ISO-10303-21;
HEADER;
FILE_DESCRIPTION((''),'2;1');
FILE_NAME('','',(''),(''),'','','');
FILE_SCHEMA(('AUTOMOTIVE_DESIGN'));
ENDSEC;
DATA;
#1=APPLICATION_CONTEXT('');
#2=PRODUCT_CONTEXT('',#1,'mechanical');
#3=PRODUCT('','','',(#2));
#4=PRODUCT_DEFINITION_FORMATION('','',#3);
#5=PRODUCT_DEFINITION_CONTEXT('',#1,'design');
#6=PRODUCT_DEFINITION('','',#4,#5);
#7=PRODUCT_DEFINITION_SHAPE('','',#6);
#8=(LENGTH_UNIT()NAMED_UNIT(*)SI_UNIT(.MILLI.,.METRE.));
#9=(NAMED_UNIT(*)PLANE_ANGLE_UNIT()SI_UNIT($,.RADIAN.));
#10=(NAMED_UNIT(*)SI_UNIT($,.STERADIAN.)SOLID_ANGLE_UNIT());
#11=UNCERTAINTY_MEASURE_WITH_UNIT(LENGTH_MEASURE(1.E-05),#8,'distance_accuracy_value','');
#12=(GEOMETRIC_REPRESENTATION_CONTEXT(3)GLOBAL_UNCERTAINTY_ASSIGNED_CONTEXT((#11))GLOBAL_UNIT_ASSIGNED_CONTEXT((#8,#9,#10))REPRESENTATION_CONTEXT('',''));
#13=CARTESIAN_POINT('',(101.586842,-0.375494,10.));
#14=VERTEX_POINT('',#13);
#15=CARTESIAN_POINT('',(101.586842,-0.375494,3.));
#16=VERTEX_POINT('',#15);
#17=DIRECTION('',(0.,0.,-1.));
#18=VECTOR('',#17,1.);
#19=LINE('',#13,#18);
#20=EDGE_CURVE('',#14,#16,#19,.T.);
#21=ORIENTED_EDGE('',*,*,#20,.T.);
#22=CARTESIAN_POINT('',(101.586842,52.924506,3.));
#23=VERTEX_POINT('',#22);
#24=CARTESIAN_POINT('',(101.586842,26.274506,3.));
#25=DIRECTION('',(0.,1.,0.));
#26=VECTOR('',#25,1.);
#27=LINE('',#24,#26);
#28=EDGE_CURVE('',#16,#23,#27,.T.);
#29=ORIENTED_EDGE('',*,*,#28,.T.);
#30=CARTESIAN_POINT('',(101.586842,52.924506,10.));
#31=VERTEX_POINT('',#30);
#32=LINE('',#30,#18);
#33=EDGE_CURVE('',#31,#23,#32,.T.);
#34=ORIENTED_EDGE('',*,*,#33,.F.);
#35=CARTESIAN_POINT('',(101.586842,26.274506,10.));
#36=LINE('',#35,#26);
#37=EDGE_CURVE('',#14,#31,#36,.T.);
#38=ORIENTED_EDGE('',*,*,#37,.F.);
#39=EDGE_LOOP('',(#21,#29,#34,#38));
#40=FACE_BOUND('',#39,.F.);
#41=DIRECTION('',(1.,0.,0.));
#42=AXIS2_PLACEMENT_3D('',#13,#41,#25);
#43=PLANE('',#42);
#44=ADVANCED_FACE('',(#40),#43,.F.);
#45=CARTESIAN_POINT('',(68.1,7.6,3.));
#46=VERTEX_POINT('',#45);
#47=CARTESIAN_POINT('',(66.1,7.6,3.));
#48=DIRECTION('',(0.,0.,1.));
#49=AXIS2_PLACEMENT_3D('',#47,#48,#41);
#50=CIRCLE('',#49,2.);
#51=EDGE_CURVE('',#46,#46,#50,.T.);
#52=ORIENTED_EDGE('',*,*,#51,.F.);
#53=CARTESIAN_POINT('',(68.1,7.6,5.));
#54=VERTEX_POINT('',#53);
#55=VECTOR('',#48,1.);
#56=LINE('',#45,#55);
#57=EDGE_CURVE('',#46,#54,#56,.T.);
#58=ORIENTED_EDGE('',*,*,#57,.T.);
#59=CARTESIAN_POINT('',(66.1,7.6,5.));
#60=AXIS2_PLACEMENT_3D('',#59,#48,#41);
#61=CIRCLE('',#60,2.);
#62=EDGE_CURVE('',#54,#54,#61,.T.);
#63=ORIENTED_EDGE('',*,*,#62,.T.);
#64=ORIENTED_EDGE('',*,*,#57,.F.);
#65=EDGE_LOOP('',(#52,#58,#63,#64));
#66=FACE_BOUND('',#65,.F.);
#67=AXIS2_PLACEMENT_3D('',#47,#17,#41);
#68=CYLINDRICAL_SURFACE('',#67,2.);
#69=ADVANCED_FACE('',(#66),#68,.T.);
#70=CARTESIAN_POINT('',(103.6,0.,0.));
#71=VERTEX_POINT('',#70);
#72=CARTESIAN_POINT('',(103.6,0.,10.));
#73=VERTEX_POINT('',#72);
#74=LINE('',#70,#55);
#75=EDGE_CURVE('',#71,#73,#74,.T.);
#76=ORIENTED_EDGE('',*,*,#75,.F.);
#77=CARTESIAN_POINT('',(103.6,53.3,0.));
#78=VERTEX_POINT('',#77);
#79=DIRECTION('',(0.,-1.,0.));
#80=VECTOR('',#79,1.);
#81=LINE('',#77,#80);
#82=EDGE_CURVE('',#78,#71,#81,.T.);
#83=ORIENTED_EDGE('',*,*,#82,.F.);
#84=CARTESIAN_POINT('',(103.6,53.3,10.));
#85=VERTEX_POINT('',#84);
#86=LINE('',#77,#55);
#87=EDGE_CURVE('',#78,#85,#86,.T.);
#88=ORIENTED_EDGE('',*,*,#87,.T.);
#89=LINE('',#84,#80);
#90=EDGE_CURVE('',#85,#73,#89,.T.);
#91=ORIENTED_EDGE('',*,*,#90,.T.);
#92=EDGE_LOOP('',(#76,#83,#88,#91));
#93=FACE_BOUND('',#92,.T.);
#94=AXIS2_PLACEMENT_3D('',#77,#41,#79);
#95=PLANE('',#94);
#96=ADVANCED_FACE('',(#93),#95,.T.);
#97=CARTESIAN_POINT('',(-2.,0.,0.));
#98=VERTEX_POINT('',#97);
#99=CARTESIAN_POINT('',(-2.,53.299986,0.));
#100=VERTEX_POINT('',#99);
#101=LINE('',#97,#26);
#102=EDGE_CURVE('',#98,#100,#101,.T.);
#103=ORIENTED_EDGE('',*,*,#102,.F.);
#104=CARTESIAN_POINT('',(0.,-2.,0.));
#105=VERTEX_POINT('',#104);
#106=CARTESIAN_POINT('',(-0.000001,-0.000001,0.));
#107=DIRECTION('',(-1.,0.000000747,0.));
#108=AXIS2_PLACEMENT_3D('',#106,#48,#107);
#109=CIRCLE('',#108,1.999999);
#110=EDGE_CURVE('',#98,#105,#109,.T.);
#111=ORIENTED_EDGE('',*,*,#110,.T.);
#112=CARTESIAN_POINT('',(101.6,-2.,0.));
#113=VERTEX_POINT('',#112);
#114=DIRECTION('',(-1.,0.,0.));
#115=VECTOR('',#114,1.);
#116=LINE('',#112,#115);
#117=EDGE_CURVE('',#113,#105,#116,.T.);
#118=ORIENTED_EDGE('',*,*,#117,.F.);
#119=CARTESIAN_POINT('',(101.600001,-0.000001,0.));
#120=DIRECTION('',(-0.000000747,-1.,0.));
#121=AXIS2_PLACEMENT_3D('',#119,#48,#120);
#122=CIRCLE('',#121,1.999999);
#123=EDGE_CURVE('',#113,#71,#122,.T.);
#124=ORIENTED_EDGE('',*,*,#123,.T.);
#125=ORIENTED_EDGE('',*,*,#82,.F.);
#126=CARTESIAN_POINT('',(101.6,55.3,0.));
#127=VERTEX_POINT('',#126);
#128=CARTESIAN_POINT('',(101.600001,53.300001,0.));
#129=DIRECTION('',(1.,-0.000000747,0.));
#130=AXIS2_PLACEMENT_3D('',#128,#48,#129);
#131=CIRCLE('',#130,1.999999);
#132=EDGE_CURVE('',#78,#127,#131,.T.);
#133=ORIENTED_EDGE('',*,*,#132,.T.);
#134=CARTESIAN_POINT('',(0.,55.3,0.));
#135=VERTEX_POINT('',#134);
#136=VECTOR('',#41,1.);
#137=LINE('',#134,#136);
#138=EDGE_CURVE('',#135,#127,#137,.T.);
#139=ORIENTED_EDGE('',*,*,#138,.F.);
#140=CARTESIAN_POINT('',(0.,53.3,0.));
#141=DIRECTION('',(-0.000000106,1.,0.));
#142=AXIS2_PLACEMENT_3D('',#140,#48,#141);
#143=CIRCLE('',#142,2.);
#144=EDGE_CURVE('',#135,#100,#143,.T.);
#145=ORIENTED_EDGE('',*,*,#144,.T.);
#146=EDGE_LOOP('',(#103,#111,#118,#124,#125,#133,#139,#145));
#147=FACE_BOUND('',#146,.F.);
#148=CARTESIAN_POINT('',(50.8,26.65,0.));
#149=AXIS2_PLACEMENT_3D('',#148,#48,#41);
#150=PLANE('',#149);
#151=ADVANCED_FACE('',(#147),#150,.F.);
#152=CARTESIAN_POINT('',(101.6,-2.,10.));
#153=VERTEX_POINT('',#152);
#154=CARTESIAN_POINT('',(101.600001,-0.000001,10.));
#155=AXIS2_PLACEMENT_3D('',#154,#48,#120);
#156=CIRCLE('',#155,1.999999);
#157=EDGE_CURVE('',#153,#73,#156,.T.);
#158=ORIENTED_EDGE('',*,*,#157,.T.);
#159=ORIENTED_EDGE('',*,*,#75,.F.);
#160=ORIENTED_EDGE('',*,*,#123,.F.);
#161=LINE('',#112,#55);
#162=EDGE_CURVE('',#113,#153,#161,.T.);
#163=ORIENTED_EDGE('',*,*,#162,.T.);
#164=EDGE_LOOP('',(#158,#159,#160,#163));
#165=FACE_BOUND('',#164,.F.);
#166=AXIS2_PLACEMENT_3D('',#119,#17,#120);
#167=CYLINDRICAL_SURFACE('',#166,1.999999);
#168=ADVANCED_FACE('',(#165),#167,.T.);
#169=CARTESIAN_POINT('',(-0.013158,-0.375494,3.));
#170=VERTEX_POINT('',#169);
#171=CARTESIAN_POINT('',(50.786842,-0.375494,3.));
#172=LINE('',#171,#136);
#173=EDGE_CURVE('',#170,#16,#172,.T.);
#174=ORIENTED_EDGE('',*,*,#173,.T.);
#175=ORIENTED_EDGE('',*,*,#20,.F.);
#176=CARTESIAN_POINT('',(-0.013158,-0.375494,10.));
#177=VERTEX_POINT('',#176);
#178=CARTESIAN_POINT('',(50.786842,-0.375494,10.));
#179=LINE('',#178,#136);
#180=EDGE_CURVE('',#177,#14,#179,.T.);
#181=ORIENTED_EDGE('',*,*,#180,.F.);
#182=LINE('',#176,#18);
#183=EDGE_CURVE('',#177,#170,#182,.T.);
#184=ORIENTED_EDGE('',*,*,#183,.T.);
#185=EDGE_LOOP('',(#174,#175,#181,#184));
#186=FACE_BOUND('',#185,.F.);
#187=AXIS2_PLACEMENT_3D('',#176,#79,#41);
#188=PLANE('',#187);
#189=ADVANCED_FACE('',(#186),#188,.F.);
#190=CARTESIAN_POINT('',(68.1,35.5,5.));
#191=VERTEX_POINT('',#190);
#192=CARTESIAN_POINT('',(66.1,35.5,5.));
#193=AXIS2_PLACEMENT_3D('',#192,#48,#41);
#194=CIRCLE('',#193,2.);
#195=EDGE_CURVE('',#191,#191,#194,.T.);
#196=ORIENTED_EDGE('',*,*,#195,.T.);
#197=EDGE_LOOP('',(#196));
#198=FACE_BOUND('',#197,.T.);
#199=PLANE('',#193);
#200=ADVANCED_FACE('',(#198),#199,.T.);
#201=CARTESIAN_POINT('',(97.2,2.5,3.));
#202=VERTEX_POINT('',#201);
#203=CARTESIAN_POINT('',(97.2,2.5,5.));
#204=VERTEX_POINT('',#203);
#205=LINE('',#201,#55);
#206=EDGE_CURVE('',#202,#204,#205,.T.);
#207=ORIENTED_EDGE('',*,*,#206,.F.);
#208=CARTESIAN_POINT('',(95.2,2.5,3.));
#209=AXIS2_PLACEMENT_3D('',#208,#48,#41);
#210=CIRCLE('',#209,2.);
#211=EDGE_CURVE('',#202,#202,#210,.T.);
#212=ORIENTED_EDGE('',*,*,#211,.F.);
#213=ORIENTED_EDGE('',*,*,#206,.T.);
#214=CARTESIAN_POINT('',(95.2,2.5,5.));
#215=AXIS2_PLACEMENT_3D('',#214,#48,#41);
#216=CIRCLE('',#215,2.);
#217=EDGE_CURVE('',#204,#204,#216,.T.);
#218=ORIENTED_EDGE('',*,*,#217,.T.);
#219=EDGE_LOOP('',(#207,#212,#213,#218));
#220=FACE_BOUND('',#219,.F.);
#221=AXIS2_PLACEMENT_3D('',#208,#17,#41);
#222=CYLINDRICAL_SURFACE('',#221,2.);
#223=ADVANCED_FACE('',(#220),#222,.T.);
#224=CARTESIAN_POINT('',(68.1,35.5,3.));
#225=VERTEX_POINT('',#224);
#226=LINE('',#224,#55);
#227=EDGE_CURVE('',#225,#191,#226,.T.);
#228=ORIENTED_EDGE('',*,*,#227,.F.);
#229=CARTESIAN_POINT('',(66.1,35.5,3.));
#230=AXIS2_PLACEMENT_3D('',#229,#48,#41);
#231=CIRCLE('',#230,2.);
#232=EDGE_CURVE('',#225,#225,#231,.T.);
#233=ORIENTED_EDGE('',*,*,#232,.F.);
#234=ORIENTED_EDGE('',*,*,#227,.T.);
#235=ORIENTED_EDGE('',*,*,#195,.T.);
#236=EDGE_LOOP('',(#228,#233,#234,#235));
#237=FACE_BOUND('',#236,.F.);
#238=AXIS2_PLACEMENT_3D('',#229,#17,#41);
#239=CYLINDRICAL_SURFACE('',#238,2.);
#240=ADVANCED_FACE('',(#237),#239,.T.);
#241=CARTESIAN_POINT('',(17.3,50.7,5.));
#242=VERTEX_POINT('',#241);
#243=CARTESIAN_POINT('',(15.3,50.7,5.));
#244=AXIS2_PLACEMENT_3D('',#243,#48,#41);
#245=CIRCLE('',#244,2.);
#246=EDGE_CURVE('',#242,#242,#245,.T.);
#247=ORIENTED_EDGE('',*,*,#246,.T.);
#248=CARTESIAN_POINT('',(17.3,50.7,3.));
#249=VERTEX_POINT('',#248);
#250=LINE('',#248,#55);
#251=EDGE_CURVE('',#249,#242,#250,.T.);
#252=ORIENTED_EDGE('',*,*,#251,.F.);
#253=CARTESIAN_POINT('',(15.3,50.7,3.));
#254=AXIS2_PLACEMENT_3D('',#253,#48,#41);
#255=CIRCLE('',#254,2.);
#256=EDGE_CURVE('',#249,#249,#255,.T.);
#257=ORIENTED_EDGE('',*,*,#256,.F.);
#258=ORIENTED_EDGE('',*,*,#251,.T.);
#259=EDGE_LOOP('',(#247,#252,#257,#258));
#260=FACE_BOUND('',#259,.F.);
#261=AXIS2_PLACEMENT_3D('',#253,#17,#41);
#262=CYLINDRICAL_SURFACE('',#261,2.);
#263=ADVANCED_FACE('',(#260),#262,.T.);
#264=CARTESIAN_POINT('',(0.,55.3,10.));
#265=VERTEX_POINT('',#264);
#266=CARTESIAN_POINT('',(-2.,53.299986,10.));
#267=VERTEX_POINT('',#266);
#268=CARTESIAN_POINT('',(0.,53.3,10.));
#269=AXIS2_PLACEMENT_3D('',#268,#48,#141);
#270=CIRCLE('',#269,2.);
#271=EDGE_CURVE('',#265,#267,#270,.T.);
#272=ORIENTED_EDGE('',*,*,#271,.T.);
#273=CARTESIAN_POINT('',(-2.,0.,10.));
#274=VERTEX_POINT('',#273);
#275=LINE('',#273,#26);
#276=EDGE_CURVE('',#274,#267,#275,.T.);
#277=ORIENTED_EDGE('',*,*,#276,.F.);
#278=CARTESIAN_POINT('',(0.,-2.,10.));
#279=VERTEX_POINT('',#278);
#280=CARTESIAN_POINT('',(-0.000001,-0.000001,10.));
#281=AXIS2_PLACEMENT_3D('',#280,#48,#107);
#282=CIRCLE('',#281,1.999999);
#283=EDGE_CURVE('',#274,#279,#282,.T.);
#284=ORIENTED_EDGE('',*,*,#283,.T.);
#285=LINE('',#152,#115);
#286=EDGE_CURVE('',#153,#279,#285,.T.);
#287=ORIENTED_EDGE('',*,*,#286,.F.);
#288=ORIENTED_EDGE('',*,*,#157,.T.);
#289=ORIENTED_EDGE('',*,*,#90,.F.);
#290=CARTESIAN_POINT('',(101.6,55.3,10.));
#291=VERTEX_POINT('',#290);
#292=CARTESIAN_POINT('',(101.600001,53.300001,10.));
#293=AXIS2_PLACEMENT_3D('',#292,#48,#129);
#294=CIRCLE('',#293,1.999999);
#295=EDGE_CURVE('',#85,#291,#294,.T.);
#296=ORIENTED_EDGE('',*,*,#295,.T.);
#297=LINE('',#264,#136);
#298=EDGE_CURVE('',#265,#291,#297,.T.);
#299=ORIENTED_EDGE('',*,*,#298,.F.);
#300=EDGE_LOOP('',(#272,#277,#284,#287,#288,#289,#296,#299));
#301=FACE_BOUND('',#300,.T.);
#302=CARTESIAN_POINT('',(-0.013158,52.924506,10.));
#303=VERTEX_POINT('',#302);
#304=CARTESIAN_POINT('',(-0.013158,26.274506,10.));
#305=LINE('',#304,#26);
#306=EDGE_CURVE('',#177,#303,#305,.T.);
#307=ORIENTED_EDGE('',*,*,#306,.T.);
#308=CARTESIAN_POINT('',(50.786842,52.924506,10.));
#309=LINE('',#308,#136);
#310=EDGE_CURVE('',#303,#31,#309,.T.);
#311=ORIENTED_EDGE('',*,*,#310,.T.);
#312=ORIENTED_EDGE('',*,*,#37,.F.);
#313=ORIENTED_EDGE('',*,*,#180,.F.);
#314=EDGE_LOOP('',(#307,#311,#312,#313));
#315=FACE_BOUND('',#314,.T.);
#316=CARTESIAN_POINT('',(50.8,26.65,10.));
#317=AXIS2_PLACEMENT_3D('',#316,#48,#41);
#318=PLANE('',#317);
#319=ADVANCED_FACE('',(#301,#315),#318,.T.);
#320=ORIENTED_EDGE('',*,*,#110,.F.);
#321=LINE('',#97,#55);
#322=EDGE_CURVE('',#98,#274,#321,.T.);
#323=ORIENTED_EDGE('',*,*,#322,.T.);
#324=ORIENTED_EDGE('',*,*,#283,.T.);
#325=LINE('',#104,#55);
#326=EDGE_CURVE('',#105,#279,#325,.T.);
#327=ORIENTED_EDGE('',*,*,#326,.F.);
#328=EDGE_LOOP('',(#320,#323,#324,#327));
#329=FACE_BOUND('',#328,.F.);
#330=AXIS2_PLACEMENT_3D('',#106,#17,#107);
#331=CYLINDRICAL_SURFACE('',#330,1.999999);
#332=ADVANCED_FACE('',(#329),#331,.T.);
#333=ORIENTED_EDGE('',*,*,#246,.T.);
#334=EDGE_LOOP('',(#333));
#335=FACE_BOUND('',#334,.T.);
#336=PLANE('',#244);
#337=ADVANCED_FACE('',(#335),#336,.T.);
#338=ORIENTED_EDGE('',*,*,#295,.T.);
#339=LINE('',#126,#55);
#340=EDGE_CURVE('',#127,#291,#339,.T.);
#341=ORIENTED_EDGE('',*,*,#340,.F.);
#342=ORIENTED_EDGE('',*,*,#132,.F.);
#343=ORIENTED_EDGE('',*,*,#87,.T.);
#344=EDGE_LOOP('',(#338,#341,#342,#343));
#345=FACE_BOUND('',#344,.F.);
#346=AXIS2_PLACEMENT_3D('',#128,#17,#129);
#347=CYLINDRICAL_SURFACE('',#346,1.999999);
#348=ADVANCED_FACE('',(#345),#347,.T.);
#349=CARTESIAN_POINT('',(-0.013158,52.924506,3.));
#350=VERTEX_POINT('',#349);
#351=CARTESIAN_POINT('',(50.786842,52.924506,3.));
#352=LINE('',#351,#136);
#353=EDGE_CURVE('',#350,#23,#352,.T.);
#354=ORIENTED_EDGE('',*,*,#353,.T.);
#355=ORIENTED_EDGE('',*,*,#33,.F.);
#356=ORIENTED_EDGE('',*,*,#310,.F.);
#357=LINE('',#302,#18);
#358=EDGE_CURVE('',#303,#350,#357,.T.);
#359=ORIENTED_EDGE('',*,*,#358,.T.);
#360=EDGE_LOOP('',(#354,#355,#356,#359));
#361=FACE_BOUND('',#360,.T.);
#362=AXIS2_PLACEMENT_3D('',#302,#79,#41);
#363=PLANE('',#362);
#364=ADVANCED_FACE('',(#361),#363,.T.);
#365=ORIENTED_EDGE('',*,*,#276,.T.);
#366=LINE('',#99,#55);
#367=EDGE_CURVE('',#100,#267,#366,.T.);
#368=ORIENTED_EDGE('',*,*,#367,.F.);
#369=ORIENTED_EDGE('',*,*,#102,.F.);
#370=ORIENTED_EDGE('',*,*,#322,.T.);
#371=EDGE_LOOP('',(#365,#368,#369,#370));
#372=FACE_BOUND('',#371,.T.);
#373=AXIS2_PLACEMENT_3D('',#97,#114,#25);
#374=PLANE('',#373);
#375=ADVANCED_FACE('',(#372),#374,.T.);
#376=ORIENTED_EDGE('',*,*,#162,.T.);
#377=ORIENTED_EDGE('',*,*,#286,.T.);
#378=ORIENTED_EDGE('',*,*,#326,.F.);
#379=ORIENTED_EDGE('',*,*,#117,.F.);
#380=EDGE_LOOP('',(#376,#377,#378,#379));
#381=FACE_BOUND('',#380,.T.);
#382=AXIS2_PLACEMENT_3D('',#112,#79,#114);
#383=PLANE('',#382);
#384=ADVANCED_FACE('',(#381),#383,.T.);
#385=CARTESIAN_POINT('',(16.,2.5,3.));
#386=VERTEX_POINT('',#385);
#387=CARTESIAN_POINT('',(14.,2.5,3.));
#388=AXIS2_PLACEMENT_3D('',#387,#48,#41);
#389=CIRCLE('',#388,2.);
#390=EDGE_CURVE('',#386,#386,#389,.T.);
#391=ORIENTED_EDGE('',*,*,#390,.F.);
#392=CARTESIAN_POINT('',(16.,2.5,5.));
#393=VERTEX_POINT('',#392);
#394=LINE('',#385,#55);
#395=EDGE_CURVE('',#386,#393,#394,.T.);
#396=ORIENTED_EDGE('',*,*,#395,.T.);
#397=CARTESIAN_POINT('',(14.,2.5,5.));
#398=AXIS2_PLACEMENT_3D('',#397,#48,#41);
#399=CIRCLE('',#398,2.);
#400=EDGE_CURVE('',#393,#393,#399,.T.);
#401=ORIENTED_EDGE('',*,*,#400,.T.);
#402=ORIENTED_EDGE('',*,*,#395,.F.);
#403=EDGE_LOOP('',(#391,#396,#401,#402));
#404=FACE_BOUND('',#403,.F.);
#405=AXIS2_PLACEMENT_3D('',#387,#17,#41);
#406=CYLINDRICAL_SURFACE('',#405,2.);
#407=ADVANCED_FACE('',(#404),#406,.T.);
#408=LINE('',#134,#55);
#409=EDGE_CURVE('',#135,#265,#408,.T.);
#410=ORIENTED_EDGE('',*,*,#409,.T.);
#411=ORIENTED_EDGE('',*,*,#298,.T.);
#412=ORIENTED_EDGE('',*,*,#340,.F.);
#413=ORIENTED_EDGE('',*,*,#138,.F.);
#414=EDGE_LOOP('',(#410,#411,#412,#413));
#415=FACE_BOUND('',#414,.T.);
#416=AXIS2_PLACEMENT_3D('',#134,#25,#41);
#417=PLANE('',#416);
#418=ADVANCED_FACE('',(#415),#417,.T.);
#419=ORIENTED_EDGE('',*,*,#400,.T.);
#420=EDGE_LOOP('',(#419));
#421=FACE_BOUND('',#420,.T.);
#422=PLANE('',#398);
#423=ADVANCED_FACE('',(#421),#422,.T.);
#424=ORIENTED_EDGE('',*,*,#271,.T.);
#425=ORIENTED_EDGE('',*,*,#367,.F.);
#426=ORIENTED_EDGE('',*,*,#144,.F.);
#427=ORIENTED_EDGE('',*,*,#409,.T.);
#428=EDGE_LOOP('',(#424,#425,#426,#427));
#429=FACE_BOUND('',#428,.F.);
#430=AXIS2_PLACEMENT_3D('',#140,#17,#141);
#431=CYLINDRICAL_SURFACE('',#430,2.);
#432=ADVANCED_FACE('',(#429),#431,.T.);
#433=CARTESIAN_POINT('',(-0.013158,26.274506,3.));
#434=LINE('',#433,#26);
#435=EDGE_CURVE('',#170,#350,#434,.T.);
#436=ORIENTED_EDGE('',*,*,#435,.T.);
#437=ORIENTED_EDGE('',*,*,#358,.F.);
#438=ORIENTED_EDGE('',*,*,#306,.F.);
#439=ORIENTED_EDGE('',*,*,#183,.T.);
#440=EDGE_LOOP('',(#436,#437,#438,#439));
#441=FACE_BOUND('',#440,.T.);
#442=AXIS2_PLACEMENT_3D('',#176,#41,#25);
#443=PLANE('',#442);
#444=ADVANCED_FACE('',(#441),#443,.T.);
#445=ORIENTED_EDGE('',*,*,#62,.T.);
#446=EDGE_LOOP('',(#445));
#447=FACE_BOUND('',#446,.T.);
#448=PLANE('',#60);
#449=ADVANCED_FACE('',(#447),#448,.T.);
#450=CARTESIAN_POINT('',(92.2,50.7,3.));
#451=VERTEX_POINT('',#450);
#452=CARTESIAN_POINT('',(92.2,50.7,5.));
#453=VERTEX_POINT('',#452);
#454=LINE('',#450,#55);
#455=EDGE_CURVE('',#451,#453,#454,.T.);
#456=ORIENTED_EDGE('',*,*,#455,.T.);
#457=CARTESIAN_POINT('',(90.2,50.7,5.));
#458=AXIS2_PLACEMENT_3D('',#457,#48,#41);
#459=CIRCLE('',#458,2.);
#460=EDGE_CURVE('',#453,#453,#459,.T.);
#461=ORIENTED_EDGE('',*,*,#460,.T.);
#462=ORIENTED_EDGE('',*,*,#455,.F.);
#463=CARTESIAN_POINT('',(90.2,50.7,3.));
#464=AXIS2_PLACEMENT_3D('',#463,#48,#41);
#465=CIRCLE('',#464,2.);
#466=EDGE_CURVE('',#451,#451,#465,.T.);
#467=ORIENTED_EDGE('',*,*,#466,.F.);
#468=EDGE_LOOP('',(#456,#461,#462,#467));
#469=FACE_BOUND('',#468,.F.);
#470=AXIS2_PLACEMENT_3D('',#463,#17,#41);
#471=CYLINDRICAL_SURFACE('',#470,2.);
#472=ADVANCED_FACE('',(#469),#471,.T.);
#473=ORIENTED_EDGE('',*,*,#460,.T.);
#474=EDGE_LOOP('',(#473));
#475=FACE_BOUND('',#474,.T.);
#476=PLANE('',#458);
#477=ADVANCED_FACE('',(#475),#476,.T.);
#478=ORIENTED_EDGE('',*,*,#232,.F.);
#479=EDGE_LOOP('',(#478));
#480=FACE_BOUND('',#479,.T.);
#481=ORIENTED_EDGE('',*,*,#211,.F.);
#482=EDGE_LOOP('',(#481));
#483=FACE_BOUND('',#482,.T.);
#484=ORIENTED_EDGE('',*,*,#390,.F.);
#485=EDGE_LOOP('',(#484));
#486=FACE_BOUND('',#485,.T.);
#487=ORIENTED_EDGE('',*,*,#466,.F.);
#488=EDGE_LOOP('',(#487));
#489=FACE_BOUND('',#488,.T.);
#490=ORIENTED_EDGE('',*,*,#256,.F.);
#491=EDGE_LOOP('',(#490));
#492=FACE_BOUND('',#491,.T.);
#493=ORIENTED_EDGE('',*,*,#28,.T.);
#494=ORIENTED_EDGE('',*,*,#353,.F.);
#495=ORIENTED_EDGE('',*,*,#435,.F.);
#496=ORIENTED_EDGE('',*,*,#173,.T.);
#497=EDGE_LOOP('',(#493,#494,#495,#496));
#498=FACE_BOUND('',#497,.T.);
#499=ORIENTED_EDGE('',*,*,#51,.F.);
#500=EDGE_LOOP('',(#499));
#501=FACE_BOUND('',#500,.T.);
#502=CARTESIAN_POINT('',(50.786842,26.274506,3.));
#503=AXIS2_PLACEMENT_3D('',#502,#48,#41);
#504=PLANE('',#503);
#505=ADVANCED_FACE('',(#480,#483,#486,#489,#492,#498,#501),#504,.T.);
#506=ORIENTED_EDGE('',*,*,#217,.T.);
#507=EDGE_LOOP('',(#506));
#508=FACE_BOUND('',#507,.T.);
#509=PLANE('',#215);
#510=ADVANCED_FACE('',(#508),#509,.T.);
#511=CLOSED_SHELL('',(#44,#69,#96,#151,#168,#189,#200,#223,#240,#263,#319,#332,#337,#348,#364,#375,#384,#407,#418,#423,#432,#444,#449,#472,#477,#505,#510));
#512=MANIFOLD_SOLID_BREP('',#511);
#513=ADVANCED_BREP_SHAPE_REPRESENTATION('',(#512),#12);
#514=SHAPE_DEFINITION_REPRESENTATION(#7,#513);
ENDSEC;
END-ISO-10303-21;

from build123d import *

# Parameters (mm, degrees)
PAD_DEPTH    = 10
SKETCH001_W  = 101.6
SKETCH001_H  = 53.3
POCKET_DEPTH = 7
SKETCH002_R  = 2
PAD001_DEPTH = 2


with BuildPart() as part:
    # Sketch → Pad (new body)
    with BuildSketch(Plane.XY):
        with BuildLine():
            ThreePointArc((0, 55.3), (-1.414219, 54.714208), (-2, 53.299986))
            Line((-2, 0), (-2, 53.299986))
            ThreePointArc((-2, 0), (-1.414214, -1.414214), (0, -2))
            Line((101.6, -2), (0, -2))
            ThreePointArc((101.6, -2), (103.014214, -1.414214), (103.6, 0))
            Line((103.6, 53.3), (103.6, 0))
            ThreePointArc((103.6, 53.3), (103.014214, 54.714214), (101.6, 55.3))
            Line((0, 55.3), (101.6, 55.3))
        make_face()
    extrude(amount=PAD_DEPTH)

    # Sketch001 → Pocket (cut)
    with BuildSketch(Plane.XY.offset(10)):
        with Locations((50.786842, 26.274506)):
            Rectangle(SKETCH001_W, SKETCH001_H)
    extrude(amount=-POCKET_DEPTH, mode=Mode.SUBTRACT)

    # Sketch002 → Pad001 (new body)
    with BuildSketch(Plane.XY.offset(3)):
        with Locations((15.3, 50.7)):
            Circle(SKETCH002_R)
        with Locations((14, 2.5)):
            Circle(SKETCH002_R)
        with Locations((66.1, 35.5)):
            Circle(SKETCH002_R)
        with Locations((66.1, 7.6)):
            Circle(SKETCH002_R)
        with Locations((90.2, 50.7)):
            Circle(SKETCH002_R)
        with Locations((95.2, 2.5)):
            Circle(SKETCH002_R)
    extrude(amount=PAD001_DEPTH)


solid = part.part
